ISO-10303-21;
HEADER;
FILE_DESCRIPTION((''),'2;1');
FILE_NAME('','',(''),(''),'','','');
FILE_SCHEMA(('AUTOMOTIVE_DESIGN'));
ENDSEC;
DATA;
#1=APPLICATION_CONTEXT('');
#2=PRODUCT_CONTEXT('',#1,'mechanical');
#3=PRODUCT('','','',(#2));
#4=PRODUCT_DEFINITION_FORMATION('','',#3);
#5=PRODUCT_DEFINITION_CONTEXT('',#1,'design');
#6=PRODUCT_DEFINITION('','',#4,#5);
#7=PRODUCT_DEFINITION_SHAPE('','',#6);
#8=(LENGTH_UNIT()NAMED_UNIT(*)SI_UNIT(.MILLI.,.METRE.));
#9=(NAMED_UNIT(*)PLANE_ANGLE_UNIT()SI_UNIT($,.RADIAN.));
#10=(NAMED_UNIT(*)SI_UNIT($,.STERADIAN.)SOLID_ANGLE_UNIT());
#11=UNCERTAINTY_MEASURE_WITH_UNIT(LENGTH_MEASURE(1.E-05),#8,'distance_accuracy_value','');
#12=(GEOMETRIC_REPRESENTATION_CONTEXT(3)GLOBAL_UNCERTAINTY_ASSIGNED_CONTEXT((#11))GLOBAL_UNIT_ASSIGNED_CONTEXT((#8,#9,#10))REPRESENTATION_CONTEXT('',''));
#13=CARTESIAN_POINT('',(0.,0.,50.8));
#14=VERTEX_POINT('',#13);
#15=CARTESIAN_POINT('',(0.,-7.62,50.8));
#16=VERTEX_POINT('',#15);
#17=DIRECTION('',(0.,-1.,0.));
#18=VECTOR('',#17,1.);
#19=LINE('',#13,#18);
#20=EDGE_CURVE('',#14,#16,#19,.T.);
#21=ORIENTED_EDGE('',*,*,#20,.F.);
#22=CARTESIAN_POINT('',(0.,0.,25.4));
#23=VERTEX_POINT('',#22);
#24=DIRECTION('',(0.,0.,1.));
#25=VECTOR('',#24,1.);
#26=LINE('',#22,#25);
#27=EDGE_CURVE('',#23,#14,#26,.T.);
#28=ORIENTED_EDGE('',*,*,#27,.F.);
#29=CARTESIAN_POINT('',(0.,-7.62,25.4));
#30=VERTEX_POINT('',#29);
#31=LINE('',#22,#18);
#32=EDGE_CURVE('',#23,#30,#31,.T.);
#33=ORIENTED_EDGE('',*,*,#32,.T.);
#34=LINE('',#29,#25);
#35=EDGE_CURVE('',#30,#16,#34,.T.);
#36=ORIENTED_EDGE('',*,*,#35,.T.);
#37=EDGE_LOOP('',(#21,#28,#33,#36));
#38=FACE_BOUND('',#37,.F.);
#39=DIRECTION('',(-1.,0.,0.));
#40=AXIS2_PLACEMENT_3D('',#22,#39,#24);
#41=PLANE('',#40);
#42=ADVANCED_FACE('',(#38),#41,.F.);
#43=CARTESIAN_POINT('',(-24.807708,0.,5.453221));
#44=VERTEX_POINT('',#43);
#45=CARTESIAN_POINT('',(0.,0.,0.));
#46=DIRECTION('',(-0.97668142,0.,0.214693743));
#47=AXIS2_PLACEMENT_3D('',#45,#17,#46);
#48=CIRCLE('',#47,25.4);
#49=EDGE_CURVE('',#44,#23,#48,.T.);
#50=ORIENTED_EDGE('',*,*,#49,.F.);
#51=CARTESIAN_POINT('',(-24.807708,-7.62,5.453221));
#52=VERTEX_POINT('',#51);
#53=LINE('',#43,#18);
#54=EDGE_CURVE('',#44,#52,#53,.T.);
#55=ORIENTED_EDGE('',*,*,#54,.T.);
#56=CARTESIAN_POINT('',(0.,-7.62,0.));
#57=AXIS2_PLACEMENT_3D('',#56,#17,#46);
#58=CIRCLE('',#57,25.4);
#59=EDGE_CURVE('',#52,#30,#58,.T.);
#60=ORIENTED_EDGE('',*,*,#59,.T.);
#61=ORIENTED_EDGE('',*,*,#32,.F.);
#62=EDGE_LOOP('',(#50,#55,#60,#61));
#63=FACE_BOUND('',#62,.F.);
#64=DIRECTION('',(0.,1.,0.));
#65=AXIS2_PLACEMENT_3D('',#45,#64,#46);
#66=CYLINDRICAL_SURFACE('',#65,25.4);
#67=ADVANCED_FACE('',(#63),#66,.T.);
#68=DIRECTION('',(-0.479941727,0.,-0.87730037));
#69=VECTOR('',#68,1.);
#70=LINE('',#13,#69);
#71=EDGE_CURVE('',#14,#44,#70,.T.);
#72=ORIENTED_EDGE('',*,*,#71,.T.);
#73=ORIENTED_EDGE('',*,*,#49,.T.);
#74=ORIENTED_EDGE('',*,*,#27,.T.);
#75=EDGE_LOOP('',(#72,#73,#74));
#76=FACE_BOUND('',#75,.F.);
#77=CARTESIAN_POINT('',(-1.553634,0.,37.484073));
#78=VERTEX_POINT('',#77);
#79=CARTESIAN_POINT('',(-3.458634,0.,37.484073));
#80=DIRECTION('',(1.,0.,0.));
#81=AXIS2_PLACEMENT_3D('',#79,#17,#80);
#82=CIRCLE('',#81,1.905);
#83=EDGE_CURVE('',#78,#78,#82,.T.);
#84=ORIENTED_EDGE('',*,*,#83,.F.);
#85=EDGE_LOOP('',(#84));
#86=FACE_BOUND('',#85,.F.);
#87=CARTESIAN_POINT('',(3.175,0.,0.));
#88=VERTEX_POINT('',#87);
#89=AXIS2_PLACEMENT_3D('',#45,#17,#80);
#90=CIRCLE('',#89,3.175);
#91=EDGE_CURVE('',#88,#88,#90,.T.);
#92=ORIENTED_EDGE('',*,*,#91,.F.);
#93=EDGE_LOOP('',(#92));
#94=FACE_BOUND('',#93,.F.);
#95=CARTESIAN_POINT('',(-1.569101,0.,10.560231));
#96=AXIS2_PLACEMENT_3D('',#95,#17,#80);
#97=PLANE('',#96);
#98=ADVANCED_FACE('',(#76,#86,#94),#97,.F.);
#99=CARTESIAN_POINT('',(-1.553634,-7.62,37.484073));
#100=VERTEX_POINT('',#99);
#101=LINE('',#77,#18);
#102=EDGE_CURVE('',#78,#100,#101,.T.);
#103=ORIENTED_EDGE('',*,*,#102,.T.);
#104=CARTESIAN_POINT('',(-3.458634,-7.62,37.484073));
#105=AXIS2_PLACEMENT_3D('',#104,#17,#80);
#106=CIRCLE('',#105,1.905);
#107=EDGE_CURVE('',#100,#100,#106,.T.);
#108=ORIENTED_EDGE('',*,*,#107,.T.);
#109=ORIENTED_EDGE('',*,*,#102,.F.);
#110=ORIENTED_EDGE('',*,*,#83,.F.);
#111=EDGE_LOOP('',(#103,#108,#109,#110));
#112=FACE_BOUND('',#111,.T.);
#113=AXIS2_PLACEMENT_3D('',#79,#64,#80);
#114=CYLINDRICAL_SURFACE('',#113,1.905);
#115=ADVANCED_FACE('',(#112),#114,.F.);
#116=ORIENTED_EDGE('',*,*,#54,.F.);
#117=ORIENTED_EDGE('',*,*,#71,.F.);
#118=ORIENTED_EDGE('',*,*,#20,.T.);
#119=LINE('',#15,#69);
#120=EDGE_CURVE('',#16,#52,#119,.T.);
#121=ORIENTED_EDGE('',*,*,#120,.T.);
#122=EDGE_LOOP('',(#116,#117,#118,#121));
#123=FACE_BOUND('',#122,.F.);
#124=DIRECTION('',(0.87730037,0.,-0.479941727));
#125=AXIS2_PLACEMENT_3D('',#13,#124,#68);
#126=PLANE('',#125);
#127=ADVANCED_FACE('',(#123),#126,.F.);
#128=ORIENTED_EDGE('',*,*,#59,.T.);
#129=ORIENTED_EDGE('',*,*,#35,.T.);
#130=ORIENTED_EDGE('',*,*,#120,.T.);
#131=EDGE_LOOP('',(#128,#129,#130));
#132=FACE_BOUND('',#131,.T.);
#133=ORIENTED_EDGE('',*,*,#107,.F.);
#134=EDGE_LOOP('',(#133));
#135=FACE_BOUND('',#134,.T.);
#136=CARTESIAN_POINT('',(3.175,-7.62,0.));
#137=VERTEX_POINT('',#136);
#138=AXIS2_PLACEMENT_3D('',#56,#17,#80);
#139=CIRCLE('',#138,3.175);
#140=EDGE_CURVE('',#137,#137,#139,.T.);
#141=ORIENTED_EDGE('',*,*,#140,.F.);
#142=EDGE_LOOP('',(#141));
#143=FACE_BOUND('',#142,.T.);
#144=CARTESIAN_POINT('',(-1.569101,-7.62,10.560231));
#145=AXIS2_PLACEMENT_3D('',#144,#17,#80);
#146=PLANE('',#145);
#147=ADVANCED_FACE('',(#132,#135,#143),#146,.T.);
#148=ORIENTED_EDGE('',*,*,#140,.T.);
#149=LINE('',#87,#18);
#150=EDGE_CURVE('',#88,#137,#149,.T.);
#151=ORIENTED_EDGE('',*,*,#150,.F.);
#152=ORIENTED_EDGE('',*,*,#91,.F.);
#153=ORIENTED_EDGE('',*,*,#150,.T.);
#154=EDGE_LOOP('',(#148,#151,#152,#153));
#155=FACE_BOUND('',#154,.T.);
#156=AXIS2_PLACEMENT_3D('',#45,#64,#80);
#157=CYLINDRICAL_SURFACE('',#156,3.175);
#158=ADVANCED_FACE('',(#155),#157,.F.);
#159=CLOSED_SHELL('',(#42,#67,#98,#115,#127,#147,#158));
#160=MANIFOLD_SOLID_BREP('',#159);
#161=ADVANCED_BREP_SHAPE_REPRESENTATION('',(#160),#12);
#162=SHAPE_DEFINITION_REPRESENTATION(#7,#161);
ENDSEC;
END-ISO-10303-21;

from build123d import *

# Parameters (mm, degrees)
F0_R     = 3.175
F0_R_2   = 1.905
F1_DEPTH = 7.62


with BuildPart() as f1:
    # F0 (on Front) → F1 (new body)
    with BuildSketch(Plane.XZ):
        with BuildLine():
            Line((0, 50.8), (-24.807708, 5.453221))
            ThreePointArc((-24.807708, 5.453221), (15.916158, -19.794846), (0, 25.4))
            Line((0, 25.4), (0, 50.8))
        make_face()
        Circle(F0_R, mode=Mode.SUBTRACT)
        with Locations((-3.458634, 37.484073)):
            Circle(F0_R_2, mode=Mode.SUBTRACT)
    extrude(amount=F1_DEPTH)


solid = f1.part
